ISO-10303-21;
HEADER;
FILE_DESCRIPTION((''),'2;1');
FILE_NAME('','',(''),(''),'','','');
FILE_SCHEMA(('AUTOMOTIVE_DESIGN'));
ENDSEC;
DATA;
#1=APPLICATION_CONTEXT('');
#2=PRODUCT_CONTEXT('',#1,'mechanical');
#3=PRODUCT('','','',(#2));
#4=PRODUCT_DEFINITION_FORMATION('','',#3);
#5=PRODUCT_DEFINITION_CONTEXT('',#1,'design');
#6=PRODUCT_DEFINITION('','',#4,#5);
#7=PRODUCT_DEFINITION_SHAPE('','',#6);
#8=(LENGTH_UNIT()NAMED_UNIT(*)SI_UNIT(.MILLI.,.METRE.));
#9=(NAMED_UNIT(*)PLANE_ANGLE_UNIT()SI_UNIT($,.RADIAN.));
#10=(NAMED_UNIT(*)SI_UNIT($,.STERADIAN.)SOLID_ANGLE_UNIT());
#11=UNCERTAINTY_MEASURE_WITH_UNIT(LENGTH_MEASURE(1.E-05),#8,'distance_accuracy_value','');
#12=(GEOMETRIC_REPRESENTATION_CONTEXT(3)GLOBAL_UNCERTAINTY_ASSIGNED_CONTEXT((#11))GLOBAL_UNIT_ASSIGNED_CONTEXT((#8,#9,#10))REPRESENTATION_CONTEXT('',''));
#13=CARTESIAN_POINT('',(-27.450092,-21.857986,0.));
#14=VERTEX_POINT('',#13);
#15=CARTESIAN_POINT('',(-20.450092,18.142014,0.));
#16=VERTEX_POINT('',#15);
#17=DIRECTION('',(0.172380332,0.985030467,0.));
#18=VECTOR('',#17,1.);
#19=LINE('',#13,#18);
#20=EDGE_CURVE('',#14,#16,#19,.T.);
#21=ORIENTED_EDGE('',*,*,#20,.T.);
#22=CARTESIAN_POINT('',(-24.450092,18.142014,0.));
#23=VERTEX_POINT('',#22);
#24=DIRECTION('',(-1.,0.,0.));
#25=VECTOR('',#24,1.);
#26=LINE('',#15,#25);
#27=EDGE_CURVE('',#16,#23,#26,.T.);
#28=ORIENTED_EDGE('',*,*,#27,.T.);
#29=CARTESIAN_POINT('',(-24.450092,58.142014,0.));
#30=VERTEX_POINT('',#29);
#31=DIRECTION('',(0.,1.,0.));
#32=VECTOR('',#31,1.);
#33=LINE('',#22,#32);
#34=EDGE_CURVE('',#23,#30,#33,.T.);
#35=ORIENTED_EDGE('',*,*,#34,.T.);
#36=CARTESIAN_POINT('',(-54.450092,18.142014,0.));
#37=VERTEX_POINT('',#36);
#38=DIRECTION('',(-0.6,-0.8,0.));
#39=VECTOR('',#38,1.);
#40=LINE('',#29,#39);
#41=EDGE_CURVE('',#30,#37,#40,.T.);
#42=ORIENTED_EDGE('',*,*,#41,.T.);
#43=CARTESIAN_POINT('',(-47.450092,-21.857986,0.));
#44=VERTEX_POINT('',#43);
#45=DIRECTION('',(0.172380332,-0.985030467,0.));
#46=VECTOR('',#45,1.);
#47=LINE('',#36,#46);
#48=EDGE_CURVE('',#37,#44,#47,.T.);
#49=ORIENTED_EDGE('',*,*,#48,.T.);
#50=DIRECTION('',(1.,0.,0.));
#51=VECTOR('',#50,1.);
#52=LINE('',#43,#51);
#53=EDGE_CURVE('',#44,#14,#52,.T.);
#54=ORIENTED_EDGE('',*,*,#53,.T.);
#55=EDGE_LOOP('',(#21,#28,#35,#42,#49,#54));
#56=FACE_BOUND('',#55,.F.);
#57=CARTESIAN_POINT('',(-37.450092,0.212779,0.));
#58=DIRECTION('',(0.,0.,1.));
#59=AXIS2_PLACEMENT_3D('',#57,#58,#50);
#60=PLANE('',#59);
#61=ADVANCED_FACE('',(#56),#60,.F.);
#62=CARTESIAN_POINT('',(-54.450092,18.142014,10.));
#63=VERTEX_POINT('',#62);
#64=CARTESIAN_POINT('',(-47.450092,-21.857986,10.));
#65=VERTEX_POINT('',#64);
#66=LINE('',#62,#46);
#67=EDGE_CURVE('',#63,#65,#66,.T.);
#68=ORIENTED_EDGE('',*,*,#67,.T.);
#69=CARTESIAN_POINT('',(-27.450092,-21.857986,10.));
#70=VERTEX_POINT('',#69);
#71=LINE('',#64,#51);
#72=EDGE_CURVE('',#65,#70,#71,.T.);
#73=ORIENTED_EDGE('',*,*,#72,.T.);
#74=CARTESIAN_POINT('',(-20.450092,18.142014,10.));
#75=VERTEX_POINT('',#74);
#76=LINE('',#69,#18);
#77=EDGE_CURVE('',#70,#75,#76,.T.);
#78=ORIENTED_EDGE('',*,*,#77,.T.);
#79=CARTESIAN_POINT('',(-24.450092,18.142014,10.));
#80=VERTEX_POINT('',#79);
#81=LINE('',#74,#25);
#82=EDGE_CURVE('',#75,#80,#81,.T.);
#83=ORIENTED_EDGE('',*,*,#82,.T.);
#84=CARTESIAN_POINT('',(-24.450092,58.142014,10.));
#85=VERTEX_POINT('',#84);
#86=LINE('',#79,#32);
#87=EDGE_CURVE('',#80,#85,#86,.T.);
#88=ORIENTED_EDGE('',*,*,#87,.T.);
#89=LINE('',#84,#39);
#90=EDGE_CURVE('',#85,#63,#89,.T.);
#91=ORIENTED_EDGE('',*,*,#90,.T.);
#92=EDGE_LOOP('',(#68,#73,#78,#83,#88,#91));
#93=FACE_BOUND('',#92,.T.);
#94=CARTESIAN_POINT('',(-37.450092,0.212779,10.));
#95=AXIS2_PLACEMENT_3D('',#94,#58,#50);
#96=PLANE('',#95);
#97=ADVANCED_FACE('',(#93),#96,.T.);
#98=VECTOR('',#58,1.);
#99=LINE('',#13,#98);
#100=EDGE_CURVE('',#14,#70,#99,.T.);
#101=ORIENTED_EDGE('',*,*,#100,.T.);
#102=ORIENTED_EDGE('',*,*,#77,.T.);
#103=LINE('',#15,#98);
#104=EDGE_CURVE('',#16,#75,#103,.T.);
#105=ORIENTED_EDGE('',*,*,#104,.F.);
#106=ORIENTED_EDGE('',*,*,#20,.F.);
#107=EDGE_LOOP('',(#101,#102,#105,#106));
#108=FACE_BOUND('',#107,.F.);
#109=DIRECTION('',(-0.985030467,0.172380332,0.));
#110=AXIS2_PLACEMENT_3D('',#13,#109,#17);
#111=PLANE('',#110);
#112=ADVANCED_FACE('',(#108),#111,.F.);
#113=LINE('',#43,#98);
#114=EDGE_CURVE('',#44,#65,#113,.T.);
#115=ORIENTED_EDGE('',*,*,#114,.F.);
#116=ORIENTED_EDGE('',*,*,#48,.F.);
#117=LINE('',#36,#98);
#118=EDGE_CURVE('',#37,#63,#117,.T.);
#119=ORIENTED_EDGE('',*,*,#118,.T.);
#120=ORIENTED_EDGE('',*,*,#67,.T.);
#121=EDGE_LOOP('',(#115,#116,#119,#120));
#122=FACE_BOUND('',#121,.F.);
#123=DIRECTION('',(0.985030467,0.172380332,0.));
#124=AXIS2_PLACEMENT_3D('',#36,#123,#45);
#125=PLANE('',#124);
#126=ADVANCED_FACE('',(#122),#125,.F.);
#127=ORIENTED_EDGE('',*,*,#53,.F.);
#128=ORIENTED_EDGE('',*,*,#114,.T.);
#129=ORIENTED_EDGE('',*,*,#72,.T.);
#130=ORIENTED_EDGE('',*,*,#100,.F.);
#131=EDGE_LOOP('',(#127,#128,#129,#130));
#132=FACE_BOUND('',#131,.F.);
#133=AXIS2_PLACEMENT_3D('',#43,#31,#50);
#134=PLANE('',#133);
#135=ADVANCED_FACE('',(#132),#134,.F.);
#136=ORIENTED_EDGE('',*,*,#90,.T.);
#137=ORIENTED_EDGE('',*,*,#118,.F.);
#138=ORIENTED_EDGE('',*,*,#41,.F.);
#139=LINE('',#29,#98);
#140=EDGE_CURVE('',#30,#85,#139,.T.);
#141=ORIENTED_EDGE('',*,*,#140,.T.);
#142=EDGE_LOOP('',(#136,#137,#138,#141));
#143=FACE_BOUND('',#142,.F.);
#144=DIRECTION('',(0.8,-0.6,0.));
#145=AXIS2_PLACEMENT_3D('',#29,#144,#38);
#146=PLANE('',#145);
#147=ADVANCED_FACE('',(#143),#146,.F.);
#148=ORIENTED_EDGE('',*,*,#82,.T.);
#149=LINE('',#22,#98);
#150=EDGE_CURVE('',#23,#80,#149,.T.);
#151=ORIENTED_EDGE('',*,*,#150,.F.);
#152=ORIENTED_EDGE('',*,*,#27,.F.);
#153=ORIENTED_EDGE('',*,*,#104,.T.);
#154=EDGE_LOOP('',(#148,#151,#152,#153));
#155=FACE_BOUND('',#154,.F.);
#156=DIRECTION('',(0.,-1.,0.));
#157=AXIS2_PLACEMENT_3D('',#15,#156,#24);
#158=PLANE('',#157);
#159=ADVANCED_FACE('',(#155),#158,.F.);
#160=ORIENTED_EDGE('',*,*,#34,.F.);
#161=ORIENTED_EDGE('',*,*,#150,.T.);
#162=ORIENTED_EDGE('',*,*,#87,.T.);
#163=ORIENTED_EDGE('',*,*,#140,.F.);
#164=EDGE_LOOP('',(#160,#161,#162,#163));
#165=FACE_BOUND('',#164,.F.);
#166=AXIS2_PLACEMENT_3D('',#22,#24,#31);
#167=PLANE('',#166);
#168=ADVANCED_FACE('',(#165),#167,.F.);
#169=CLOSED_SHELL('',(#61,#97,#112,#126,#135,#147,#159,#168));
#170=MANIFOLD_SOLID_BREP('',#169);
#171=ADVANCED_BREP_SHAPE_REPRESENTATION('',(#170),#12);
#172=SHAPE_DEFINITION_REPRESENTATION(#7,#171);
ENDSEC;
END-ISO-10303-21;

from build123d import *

# Parameters (mm, degrees)
F1_DEPTH = 10


with BuildPart() as f1:
    # F0 (on Top) → F1 (new body)
    with BuildSketch(Plane.XY):
        Polygon((-24.450092, 18.142014), (-54.450092, 18.142014), (-47.450092, -21.857986), (-27.450092, -21.857986), (-20.450092, 18.142014), align=None)
        Polygon((-24.450092, 58.142014), (-54.450092, 18.142014), (-24.450092, 18.142014), align=None)
    extrude(amount=F1_DEPTH)


solid = f1.part
